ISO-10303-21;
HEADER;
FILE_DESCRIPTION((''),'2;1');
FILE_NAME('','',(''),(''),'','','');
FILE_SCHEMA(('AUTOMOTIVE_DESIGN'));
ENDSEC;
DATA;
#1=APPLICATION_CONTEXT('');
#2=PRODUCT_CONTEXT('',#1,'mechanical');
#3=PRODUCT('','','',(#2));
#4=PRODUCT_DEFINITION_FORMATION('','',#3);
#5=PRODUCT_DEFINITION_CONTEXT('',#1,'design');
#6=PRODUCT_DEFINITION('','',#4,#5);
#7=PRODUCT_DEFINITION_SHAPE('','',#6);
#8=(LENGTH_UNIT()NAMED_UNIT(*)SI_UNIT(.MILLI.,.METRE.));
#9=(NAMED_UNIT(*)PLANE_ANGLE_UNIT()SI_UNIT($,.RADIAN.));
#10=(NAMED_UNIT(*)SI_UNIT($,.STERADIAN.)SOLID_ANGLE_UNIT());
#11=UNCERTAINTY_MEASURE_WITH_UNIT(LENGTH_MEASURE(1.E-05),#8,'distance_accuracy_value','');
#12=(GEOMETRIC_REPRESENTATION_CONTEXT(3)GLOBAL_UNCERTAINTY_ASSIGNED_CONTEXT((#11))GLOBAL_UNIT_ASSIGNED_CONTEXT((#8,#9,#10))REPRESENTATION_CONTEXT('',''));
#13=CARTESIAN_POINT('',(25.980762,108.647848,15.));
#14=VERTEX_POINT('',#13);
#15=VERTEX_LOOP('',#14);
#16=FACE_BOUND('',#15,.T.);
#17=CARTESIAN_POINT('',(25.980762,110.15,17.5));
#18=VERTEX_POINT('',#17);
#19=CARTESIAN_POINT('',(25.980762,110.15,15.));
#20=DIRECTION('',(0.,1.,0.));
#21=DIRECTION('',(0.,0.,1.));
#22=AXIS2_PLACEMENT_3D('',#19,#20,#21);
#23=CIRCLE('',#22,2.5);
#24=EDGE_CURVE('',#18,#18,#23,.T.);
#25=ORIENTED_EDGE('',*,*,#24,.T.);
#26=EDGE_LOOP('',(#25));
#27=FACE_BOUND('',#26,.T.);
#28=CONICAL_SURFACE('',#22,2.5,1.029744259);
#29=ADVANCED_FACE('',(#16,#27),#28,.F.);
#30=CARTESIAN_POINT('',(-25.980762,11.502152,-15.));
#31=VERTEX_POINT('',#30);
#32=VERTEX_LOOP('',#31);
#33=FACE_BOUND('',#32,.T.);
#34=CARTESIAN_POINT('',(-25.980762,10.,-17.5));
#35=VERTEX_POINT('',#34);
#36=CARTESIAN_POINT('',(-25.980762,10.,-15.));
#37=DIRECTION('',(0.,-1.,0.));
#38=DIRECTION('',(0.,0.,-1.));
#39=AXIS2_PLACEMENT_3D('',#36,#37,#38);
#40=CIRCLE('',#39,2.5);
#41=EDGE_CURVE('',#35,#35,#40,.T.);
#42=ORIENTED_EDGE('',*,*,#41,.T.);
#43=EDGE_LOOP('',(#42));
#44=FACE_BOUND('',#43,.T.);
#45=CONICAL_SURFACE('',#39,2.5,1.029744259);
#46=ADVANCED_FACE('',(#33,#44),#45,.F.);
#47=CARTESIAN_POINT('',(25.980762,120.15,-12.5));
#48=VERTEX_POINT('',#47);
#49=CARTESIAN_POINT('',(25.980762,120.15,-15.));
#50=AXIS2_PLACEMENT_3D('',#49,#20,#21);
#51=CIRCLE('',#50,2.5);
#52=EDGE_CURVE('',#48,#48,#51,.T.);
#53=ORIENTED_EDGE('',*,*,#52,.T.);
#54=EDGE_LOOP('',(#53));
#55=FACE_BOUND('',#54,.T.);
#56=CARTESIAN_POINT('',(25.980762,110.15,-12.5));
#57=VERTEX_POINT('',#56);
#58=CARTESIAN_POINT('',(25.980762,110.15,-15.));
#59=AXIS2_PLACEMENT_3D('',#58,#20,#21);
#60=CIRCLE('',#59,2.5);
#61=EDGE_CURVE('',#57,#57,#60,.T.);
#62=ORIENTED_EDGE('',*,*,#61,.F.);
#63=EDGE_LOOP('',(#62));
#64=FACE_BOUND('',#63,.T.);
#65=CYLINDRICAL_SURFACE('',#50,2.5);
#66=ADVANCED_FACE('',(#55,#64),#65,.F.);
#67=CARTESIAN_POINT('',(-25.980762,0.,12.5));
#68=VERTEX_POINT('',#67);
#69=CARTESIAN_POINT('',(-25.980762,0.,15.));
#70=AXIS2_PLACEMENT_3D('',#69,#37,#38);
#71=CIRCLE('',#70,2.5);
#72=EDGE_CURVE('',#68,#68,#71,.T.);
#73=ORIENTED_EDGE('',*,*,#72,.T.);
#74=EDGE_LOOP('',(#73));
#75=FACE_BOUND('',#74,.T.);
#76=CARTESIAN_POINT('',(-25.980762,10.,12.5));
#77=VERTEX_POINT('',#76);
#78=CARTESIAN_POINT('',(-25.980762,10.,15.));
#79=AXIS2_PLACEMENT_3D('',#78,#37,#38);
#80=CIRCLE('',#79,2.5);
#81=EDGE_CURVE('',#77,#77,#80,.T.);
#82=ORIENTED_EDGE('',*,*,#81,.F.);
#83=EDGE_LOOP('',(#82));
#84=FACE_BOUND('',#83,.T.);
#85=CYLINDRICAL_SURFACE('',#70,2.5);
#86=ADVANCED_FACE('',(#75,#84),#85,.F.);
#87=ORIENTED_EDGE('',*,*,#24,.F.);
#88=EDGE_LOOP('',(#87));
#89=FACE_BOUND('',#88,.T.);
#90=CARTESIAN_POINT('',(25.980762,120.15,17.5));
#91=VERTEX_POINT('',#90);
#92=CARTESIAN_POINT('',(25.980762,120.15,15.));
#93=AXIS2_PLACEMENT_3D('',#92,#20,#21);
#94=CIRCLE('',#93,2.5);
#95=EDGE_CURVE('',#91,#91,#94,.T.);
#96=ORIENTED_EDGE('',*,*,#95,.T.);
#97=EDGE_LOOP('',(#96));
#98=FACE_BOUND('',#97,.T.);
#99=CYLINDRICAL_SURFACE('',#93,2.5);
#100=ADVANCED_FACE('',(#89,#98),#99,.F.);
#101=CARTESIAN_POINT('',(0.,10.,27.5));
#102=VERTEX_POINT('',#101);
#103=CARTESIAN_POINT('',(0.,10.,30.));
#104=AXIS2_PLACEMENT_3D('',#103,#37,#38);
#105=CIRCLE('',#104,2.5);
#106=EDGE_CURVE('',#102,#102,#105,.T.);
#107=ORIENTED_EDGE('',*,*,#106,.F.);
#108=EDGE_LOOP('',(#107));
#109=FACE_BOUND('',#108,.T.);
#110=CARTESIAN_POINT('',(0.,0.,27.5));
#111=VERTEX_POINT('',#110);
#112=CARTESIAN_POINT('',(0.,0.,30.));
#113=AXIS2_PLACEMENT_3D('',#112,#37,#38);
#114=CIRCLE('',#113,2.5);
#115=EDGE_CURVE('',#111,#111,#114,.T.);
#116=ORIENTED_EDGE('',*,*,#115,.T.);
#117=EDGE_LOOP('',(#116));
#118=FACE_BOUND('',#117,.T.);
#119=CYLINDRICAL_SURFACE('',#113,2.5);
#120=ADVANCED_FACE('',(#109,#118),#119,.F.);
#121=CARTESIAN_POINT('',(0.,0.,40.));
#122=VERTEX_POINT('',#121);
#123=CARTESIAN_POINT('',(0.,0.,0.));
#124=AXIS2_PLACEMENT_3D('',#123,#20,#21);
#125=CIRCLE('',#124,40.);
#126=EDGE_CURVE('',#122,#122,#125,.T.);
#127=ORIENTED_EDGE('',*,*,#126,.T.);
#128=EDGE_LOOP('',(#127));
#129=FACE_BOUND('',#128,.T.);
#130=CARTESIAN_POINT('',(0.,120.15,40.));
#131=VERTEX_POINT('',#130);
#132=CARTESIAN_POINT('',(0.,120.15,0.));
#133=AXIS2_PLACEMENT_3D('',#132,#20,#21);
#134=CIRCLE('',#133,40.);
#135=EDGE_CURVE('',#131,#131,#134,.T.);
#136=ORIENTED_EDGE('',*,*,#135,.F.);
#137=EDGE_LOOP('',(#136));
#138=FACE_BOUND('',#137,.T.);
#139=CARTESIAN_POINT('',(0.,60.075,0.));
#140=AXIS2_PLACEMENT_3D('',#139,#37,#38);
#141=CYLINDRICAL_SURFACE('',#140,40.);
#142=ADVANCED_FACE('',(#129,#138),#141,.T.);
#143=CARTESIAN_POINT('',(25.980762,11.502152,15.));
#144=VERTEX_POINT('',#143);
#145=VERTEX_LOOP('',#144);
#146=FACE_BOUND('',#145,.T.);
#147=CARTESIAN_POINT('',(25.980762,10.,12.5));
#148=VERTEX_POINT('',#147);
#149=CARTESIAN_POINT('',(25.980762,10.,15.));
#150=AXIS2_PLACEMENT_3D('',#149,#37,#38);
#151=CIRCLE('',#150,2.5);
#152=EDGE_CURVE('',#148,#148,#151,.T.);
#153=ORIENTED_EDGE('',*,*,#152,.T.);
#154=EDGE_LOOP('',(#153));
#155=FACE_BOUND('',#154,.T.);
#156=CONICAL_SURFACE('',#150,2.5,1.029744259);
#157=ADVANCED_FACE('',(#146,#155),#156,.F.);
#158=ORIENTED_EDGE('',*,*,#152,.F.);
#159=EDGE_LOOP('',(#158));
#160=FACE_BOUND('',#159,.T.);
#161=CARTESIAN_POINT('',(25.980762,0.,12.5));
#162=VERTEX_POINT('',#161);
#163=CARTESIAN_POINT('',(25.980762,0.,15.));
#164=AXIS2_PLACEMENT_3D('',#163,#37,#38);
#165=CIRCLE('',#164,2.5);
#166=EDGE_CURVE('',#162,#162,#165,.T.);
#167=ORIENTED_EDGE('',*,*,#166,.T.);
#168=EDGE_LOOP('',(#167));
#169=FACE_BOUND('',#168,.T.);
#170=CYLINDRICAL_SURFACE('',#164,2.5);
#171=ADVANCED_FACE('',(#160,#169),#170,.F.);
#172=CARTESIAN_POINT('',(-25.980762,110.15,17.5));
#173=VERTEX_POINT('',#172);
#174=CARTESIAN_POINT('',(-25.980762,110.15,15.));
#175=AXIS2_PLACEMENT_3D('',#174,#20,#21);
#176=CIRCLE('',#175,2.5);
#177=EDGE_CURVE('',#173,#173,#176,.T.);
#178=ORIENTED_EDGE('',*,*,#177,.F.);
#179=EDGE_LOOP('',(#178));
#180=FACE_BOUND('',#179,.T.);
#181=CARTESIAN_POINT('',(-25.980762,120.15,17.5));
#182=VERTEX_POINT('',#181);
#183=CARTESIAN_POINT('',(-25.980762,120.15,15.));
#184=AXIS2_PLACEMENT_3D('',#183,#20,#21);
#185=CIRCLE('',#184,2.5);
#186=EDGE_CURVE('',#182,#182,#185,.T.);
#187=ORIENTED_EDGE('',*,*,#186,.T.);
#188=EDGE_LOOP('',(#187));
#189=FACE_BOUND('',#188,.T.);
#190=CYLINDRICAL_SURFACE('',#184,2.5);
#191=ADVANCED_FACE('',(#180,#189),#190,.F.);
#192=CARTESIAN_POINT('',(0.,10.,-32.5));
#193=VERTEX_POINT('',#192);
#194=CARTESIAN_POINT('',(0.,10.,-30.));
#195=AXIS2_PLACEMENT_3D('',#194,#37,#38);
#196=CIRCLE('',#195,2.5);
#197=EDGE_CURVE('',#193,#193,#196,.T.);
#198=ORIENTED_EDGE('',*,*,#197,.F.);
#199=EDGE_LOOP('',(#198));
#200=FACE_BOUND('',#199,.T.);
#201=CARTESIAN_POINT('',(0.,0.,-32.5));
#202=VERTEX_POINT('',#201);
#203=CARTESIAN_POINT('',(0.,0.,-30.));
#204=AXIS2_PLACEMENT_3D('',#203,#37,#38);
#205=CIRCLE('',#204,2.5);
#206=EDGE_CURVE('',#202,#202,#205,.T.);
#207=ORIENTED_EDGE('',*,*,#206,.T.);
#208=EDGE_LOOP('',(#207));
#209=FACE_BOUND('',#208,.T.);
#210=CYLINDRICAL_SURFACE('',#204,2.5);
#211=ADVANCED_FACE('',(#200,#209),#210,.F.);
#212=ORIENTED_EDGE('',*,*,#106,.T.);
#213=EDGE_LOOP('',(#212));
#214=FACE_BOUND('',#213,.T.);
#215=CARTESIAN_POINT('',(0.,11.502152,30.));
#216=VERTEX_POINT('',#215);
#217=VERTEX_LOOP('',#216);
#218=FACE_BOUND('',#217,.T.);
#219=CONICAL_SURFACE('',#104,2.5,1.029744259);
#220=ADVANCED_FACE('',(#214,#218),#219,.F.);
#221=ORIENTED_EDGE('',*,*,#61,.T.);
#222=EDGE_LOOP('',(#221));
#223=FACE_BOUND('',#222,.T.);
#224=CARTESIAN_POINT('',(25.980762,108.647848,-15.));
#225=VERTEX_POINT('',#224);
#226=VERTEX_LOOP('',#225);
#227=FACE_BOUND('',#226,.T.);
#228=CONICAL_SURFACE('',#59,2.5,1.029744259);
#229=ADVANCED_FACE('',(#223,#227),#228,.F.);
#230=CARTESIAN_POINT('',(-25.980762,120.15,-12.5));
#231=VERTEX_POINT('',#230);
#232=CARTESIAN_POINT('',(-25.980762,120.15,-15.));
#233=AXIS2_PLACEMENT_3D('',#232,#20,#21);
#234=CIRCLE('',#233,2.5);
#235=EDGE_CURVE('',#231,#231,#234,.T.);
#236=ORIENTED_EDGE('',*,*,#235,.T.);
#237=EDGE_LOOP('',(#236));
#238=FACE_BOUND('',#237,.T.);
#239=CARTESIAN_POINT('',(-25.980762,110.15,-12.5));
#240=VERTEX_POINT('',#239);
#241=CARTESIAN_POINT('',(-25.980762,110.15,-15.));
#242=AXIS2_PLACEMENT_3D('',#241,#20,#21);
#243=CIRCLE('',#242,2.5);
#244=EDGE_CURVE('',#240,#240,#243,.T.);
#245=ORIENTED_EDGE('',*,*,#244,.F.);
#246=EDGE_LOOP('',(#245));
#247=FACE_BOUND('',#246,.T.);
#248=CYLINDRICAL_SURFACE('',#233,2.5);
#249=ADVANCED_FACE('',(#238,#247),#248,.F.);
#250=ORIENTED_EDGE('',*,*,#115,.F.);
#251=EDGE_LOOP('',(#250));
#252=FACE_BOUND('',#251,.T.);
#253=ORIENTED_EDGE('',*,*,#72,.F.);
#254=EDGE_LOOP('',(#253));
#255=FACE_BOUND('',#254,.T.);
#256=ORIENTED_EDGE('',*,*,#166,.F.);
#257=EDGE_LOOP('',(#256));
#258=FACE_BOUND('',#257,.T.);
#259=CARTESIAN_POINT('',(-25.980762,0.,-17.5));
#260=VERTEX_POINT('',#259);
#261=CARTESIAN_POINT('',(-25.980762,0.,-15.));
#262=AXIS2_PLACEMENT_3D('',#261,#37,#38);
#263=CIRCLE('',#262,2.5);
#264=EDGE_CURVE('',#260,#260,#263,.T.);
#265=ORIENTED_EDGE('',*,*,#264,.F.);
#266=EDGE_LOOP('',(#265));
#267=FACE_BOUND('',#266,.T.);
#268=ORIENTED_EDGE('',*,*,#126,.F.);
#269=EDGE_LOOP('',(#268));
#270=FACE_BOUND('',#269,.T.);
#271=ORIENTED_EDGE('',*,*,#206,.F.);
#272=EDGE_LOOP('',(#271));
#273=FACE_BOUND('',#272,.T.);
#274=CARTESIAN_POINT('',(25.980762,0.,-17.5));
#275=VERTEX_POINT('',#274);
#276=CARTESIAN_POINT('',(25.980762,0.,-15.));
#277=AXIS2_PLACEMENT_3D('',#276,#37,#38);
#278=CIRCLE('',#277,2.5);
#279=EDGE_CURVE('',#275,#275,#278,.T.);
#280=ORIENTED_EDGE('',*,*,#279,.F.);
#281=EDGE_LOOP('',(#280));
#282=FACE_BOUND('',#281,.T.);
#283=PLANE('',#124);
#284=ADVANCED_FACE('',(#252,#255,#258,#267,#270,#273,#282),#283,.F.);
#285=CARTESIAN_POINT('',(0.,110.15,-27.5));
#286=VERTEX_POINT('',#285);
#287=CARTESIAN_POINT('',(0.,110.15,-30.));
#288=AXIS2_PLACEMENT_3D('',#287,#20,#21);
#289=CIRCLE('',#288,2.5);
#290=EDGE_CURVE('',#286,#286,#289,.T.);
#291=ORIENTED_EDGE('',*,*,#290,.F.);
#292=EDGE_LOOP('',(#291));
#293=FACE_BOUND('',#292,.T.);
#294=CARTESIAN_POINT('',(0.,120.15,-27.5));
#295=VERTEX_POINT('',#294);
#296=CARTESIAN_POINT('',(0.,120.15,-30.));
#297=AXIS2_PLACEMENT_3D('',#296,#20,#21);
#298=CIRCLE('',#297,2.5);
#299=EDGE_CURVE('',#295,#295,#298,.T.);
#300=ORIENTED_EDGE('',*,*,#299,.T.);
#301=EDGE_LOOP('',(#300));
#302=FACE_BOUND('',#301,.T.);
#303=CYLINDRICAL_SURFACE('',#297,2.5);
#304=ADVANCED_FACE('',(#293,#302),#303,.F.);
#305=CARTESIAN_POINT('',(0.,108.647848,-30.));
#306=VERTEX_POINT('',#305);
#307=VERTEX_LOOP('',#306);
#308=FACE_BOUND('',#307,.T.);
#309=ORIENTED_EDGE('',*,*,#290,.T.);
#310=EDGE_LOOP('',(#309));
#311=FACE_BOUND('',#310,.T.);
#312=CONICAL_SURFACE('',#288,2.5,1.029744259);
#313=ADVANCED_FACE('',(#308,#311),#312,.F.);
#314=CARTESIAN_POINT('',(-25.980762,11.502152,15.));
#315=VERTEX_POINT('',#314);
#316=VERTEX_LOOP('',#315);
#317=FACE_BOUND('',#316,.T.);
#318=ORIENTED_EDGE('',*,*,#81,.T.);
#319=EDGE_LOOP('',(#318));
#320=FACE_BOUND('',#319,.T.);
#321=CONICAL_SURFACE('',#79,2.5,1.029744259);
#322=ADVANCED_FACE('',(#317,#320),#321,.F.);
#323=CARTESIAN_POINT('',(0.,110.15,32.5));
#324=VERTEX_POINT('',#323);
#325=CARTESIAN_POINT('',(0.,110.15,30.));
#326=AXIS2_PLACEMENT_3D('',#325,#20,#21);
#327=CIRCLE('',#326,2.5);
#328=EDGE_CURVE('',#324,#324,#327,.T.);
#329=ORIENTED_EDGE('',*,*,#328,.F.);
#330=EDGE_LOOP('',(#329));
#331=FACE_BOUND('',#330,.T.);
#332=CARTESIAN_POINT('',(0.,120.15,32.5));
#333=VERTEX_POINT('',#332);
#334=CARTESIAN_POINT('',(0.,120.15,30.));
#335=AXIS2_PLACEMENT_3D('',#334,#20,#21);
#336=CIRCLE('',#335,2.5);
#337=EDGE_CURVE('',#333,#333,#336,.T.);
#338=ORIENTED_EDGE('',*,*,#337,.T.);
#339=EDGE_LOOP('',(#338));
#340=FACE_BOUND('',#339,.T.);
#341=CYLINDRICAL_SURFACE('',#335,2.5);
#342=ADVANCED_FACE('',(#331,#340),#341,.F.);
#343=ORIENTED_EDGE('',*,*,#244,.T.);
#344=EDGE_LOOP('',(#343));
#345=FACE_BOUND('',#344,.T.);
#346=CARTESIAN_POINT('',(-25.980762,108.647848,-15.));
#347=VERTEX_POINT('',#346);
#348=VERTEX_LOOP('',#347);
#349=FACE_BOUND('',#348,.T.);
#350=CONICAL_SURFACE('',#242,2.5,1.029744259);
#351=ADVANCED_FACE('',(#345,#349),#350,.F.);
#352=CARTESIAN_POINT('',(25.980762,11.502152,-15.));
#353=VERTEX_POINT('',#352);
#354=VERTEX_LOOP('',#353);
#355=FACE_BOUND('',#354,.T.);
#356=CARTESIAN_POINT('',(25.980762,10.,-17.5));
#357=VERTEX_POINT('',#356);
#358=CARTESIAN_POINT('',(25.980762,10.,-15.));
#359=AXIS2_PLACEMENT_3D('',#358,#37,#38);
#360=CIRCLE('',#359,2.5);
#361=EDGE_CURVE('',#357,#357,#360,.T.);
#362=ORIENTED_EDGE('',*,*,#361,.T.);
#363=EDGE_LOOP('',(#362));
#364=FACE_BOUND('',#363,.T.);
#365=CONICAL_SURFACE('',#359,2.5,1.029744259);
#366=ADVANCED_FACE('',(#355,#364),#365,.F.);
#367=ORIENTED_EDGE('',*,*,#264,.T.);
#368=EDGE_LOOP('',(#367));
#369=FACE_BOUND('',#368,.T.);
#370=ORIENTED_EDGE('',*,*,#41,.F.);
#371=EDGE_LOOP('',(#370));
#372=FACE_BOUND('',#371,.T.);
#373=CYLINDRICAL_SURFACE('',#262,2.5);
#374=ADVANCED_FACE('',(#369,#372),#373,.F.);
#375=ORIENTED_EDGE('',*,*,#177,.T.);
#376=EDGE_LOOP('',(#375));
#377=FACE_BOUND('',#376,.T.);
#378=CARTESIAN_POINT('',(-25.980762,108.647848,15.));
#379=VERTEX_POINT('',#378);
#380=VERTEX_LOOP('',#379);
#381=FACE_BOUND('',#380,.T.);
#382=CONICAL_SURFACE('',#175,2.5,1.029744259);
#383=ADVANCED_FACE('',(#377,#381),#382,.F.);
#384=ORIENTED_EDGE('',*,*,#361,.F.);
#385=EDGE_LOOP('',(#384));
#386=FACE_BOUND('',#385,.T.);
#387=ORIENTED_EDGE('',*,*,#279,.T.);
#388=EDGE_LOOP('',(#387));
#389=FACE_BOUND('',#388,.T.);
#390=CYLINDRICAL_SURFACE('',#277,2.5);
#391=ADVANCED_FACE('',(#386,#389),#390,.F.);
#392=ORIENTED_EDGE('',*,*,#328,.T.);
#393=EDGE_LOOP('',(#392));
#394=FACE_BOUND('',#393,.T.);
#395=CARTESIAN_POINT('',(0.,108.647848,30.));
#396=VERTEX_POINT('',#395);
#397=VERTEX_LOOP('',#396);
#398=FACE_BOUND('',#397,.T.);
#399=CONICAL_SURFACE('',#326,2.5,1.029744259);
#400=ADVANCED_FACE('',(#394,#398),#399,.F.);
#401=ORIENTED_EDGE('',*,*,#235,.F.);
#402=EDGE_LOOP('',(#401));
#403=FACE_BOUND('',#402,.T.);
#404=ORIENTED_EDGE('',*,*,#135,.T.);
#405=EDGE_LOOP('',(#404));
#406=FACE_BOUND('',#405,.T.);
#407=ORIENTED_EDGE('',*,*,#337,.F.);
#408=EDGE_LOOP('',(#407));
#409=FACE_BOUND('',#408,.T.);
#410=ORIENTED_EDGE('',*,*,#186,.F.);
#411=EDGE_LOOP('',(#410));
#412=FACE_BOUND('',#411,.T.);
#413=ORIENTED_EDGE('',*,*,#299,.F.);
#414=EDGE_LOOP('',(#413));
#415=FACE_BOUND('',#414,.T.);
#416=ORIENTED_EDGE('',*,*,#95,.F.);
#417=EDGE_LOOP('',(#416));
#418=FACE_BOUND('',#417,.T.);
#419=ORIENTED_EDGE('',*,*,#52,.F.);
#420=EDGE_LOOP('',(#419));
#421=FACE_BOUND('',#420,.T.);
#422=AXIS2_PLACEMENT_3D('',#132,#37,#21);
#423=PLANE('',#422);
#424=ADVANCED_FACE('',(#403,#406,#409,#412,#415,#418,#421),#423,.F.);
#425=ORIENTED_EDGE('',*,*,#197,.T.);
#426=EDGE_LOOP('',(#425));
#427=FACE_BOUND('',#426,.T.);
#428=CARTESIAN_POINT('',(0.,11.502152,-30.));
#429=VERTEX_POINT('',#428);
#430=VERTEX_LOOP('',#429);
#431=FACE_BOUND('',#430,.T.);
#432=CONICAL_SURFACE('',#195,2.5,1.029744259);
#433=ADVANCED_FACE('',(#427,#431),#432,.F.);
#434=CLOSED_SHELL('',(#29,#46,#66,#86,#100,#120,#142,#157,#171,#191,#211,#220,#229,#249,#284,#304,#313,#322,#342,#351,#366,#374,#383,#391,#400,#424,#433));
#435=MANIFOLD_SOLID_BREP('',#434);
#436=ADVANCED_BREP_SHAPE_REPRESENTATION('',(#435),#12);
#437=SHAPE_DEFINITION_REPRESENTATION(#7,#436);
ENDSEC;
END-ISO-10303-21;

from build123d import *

# Parameters (mm, degrees)
SKETCH1_R                            = 40
BOSS_EXTRUDE1_DEPTH                  = 60.075
TAP_DRILL_FOR_M6X1_0_TAP1_AT_2_COUNT = 2
TAP_DRILL_FOR_M6X1_0_TAP1_AT_2_PITCH = 30
TAP_DRILL_FOR_M6X1_0_TAP1_AT_3_COUNT = 2
TAP_DRILL_FOR_M6X1_0_TAP1_AT_3_PITCH = 51.961524227
TAP_DRILL_FOR_M6X1_0_TAP1_AT_4_COUNT = 2
TAP_DRILL_FOR_M6X1_0_TAP1_AT_4_PITCH = 60
TAP_DRILL_FOR_M6X1_0_TAP1_AT_5_COUNT = 2
TAP_DRILL_FOR_M6X1_0_TAP1_AT_5_PITCH = 51.961524227
TAP_DRILL_FOR_M6X1_0_TAP1_AT_6_COUNT = 2
TAP_DRILL_FOR_M6X1_0_TAP1_AT_6_PITCH = 30


with BuildPart() as part:
    # Sketch1 → Boss-Extrude1 (new body)
    with BuildSketch(Plane(origin=(0, 0, 0), x_dir=(1, 0, 0), z_dir=(0, 1, 0))):
        with Locations(Location((0, 0, 0), (0, 0, 270))):
            Circle(SKETCH1_R)
    boss_extrude1 = extrude(amount=BOSS_EXTRUDE1_DEPTH)

    # Sketch4 → Tap Drill for M6x1.0 Tap1 (revolve, cut)
    with BuildSketch(Plane(origin=(25.980762114, 0, 15), x_dir=(0, 0, -1), z_dir=(1, 0, 0))):
        Polygon((0, 0), (0, 11.502151548), (2.5, 10), (2.5, 0), align=None)
    tap_drill_for_m6x1_0_tap1 = revolve(axis=Axis((25.980762114, -6.35, 15), (0, 1, 0)), mode=Mode.SUBTRACT)

    # Tap Drill for M6x1.0 Tap1 at 2: Tap Drill for M6x1.0 Tap1 ×2
    with Locations(*[(0, 0, -i * TAP_DRILL_FOR_M6X1_0_TAP1_AT_2_PITCH) for i in range(1, TAP_DRILL_FOR_M6X1_0_TAP1_AT_2_COUNT)]):
        add(tap_drill_for_m6x1_0_tap1, mode=Mode.SUBTRACT)

    # Tap Drill for M6x1.0 Tap1 at 3: Tap Drill for M6x1.0 Tap1 ×2
    with Locations(*[Vector(-0.5000000000000001, 0, -0.8660254037844386) * (i * TAP_DRILL_FOR_M6X1_0_TAP1_AT_3_PITCH) for i in range(1, TAP_DRILL_FOR_M6X1_0_TAP1_AT_3_COUNT)]):
        add(tap_drill_for_m6x1_0_tap1, mode=Mode.SUBTRACT)

    # Tap Drill for M6x1.0 Tap1 at 4: Tap Drill for M6x1.0 Tap1 ×2
    with Locations(*[Vector(-0.8660254037844389, 0, -0.4999999999999995) * (i * TAP_DRILL_FOR_M6X1_0_TAP1_AT_4_PITCH) for i in range(1, TAP_DRILL_FOR_M6X1_0_TAP1_AT_4_COUNT)]):
        add(tap_drill_for_m6x1_0_tap1, mode=Mode.SUBTRACT)

    # Tap Drill for M6x1.0 Tap1 at 5: Tap Drill for M6x1.0 Tap1 ×2
    with Locations(*[(-i * TAP_DRILL_FOR_M6X1_0_TAP1_AT_5_PITCH, 0, 0) for i in range(1, TAP_DRILL_FOR_M6X1_0_TAP1_AT_5_COUNT)]):
        add(tap_drill_for_m6x1_0_tap1, mode=Mode.SUBTRACT)

    # Tap Drill for M6x1.0 Tap1 at 6: Tap Drill for M6x1.0 Tap1 ×2
    with Locations(*[Vector(-0.8660254037844386, 0, 0.5000000000000001) * (i * TAP_DRILL_FOR_M6X1_0_TAP1_AT_6_PITCH) for i in range(1, TAP_DRILL_FOR_M6X1_0_TAP1_AT_6_COUNT)]):
        add(tap_drill_for_m6x1_0_tap1, mode=Mode.SUBTRACT)

    # Mirror1: Boss-Extrude1, Tap Drill for M6x1.0 Tap1 across plane
    add(boss_extrude1.mirror(Plane.ZX.offset(60.075)))
    add(tap_drill_for_m6x1_0_tap1.mirror(Plane.ZX.offset(60.075)), mode=Mode.SUBTRACT)

    # Mirror1 copy 1 sketch → Mirror1 copy 1 (revolve, cut)
    with BuildSketch(Plane(origin=(25.980762114, 120.15, -15), x_dir=(0, 0, -1), z_dir=(1, 0, 0))):
        Polygon((0, 0), (0, -11.502151548), (2.5, -10), (2.5, 0), align=None)
    revolve(axis=Axis((25.980762114, 126.5, -15), (0, 1, 0)), mode=Mode.SUBTRACT)

    # Mirror1 copy 2 sketch → Mirror1 copy 2 (revolve, cut)
    with BuildSketch(Plane(origin=(0, 120.15, -30), x_dir=(0, 0, -1), z_dir=(1, 0, 0))):
        Polygon((0, 0), (0, -11.502151548), (2.5, -10), (2.5, 0), align=None)
    revolve(axis=Axis((0, 126.5, -30), (0, 1, 0)), mode=Mode.SUBTRACT)

    # Mirror1 copy 3 sketch → Mirror1 copy 3 (revolve, cut)
    with BuildSketch(Plane(origin=(-25.980762114, 120.15, -15), x_dir=(0, 0, -1), z_dir=(1, 0, 0))):
        Polygon((0, 0), (0, -11.502151548), (2.5, -10), (2.5, 0), align=None)
    revolve(axis=Axis((-25.980762114, 126.5, -15), (0, 1, 0)), mode=Mode.SUBTRACT)

    # Mirror1 copy 4 sketch → Mirror1 copy 4 (revolve, cut)
    with BuildSketch(Plane(origin=(-25.980762114, 120.15, 15), x_dir=(0, 0, -1), z_dir=(1, 0, 0))):
        Polygon((0, 0), (0, -11.502151548), (2.5, -10), (2.5, 0), align=None)
    revolve(axis=Axis((-25.980762114, 126.5, 15), (0, 1, 0)), mode=Mode.SUBTRACT)

    # Mirror1 copy 5 sketch → Mirror1 copy 5 (revolve, cut)
    with BuildSketch(Plane(origin=(0, 120.15, 30), x_dir=(0, 0, -1), z_dir=(1, 0, 0))):
        Polygon((0, 0), (0, -11.502151548), (2.5, -10), (2.5, 0), align=None)
    revolve(axis=Axis((0, 126.5, 30), (0, 1, 0)), mode=Mode.SUBTRACT)


solid = part.part
